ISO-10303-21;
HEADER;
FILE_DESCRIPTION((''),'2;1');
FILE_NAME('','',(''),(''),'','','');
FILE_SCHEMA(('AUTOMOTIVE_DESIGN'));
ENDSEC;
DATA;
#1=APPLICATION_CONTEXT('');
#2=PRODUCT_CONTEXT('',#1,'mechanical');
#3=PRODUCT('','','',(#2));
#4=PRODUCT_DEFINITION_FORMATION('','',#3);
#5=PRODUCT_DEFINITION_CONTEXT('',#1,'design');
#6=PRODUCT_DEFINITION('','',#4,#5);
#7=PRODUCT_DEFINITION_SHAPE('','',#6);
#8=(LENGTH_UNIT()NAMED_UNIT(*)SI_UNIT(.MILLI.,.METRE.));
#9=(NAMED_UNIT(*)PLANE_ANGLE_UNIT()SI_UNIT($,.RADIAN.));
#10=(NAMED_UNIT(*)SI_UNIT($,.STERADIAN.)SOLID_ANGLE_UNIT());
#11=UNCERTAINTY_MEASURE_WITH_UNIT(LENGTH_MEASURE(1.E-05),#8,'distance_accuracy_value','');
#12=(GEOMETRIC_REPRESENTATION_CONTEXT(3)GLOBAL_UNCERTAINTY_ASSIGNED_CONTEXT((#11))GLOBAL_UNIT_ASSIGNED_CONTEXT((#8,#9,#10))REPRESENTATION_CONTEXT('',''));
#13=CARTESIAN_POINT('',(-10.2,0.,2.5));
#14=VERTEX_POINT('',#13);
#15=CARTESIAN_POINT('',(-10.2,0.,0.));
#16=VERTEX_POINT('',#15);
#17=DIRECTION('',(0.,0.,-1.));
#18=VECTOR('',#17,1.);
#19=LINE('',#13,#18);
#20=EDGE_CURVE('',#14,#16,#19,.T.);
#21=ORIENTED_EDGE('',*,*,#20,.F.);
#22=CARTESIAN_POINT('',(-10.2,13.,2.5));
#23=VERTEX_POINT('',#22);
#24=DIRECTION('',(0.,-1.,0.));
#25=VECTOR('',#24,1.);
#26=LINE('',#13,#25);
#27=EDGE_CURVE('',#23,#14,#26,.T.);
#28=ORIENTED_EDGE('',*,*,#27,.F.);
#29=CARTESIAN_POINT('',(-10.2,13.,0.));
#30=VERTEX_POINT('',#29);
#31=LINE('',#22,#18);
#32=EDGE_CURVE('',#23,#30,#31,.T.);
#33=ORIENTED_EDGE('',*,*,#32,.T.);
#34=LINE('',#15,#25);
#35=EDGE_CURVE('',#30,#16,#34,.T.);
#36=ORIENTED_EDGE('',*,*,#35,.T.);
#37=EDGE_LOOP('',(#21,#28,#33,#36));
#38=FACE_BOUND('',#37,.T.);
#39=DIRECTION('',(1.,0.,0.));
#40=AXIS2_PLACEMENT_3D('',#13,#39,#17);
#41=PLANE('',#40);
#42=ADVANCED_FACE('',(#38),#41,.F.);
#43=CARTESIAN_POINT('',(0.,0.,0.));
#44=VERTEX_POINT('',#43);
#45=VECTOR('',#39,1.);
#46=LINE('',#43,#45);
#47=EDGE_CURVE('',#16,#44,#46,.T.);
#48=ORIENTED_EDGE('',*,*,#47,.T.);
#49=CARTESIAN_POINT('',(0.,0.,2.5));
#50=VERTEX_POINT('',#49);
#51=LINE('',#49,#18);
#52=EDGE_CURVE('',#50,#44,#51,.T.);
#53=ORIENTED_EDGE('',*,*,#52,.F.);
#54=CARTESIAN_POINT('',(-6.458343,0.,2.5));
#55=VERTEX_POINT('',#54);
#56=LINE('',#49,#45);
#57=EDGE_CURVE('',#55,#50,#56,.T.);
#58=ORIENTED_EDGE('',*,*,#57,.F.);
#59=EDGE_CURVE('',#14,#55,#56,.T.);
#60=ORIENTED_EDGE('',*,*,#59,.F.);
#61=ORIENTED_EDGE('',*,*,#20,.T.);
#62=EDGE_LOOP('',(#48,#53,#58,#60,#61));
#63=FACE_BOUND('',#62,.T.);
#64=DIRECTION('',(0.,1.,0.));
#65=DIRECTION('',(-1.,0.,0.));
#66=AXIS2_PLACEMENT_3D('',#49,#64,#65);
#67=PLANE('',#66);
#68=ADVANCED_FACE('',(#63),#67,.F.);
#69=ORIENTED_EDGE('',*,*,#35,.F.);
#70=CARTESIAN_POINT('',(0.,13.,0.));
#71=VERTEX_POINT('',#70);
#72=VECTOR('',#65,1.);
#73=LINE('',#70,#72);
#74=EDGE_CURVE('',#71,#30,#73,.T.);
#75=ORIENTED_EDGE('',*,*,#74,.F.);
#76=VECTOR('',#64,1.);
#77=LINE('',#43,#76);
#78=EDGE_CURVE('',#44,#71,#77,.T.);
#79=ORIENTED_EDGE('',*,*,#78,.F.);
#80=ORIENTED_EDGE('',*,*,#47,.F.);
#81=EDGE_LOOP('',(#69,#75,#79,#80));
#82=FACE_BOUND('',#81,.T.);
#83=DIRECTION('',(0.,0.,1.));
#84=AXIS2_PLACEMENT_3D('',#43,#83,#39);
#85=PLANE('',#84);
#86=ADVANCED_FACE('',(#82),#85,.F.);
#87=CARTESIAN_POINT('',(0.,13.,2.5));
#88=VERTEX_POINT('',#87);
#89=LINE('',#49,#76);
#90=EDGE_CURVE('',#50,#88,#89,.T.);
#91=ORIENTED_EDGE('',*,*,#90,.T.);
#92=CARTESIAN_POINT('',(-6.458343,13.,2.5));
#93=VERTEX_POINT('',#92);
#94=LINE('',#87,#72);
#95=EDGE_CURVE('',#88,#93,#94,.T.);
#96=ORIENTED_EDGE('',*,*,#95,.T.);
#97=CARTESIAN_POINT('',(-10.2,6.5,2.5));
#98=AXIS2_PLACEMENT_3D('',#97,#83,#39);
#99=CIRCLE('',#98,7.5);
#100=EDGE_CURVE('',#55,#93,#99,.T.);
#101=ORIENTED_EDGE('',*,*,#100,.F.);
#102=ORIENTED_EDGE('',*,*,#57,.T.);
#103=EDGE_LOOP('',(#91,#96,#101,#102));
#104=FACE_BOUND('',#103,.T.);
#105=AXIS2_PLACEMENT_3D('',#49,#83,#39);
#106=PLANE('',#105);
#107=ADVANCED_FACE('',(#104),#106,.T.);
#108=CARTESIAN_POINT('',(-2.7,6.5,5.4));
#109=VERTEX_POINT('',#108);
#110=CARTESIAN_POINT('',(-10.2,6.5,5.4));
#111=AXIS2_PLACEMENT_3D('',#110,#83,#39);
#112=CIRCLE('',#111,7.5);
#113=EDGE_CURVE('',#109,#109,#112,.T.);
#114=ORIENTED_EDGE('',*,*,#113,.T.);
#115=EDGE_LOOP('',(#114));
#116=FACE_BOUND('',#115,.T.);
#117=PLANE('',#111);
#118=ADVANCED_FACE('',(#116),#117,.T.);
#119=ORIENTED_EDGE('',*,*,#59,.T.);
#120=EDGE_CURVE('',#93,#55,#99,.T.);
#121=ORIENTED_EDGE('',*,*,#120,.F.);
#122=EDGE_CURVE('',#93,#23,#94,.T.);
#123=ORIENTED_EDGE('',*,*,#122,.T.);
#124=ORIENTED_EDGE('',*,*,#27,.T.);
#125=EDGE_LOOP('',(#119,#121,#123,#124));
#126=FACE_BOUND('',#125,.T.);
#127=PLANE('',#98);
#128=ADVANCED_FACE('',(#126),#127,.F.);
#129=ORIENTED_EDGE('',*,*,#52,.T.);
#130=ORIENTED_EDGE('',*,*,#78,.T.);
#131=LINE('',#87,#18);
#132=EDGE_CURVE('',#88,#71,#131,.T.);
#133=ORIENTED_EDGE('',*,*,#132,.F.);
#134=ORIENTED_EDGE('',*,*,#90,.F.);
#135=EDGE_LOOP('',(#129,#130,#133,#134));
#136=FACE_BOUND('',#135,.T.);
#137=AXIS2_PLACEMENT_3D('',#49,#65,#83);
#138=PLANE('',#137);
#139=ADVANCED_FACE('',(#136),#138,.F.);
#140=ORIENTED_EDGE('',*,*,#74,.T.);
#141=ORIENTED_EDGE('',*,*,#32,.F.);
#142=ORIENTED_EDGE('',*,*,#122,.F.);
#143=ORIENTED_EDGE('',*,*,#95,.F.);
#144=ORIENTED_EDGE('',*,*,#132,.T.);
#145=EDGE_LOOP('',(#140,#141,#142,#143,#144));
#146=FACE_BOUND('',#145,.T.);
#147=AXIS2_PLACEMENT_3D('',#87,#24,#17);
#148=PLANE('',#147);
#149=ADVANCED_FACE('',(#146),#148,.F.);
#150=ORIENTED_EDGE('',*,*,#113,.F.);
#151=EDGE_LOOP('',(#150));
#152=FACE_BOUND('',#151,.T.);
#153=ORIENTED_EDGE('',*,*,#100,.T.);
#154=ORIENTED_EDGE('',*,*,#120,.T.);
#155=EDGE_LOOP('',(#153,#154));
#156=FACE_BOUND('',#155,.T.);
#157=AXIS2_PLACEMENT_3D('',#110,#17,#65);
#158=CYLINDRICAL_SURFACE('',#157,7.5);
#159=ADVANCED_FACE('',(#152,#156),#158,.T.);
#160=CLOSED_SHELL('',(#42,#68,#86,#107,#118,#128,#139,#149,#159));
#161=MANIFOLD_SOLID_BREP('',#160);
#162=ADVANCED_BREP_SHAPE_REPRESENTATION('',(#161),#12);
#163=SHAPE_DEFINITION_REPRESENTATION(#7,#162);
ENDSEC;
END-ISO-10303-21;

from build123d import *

# Parameters (mm, degrees)
SKETCH_1_W      = 10.2
SKETCH_1_H      = 13
EXTRUDE_1_DEPTH = 2.5
SKETCH_2_R      = 7.5
EXTRUDE_2_DEPTH = 2.9


with BuildPart() as part:
    # 草图1 → 凸台-拉伸1 (new body)
    with BuildSketch(Plane.XY):
        with Locations((-5.1, 6.5)):
            Rectangle(SKETCH_1_W, SKETCH_1_H)
    extrude(amount=EXTRUDE_1_DEPTH)

    # 草图2 → 凸台-拉伸2 (add)
    with BuildSketch(Plane.XY.offset(2.5)):
        with Locations(Location((-10.2, 6.5, 0), (0, 0, 299.926434867))):
            Circle(SKETCH_2_R)
    extrude(amount=EXTRUDE_2_DEPTH)


solid = part.part
